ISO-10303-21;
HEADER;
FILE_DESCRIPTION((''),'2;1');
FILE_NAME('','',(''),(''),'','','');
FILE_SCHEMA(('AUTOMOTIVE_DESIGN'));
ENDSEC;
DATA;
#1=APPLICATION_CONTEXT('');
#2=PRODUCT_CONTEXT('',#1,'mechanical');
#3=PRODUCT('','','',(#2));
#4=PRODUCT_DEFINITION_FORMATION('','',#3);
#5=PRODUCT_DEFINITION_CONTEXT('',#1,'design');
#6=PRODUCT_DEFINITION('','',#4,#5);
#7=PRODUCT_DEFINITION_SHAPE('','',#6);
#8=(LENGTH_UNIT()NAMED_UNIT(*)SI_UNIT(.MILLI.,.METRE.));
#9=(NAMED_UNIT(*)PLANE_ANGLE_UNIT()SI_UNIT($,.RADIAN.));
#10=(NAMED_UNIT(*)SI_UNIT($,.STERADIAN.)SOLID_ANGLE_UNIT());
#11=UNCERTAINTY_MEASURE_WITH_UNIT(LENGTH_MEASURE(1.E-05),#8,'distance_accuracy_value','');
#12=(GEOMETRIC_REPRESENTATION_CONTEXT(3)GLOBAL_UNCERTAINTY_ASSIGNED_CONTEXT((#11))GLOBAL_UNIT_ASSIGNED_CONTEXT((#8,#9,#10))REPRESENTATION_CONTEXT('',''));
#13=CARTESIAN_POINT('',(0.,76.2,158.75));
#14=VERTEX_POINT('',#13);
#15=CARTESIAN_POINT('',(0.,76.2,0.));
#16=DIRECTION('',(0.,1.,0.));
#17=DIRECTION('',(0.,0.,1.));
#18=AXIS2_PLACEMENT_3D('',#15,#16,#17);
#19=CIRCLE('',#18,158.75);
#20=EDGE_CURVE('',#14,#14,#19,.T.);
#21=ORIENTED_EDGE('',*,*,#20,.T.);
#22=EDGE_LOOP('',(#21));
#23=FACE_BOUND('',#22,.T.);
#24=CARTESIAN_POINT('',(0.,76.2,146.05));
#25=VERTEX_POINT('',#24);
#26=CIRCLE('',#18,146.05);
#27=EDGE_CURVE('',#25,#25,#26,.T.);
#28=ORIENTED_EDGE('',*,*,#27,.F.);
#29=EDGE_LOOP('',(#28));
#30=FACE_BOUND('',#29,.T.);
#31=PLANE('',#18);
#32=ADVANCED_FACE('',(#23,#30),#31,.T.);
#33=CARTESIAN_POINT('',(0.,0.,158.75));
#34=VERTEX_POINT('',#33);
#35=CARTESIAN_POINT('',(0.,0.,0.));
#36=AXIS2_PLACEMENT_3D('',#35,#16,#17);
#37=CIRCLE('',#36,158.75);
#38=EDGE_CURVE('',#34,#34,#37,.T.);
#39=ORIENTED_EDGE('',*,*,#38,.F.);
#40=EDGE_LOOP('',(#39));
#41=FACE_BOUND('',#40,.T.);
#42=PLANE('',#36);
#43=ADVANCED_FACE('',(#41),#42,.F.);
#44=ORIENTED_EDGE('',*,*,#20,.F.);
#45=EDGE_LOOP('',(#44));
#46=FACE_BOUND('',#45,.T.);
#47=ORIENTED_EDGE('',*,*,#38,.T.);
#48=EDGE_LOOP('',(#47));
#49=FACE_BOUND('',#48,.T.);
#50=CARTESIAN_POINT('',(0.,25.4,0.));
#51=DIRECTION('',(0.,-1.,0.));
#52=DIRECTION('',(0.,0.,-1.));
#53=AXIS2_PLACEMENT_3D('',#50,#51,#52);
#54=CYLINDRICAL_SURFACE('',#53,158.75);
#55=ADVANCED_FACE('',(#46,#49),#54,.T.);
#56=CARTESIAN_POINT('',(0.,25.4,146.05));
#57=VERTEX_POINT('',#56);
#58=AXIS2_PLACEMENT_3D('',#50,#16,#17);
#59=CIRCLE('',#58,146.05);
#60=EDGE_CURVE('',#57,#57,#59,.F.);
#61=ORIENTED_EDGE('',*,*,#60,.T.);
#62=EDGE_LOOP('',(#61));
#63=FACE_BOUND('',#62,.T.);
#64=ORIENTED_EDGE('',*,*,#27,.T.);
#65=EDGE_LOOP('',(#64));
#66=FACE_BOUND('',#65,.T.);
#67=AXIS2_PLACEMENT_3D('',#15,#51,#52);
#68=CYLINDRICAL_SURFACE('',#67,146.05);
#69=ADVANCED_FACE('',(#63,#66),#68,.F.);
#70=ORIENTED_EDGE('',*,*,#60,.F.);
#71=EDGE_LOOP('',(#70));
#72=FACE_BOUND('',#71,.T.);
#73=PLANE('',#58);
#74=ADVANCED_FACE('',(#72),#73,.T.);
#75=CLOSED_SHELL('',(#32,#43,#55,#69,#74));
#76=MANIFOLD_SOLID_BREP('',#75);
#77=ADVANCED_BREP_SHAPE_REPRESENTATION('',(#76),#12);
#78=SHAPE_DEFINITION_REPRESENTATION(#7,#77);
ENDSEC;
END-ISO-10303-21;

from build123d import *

# Parameters (mm, degrees)
SKETCH1_R           = 158.75
BOSS_EXTRUDE1_DEPTH = 25.4
SKETCH2_R           = 158.75
SKETCH2_R_2         = 146.05
BOSS_EXTRUDE2_DEPTH = 50.8


with BuildPart() as part:
    # Sketch1 → Boss-Extrude1 (new body)
    with BuildSketch(Plane(origin=(0, 0, 0), x_dir=(1, 0, 0), z_dir=(0, 1, 0))):
        with Locations(Location((0, 0, 0), (0, 0, 270))):
            Circle(SKETCH1_R)
    extrude(amount=BOSS_EXTRUDE1_DEPTH)

    # Sketch2 → Boss-Extrude2 (add)
    with BuildSketch(Plane(origin=(0, 25.4, 0), x_dir=(1, 0, 0), z_dir=(0, 1, 0))):
        with Locations(Location((0, 0, 0), (0, 0, 270))):
            Circle(SKETCH2_R)
        with Locations(Location((0, 0, 0), (0, 0, 270))):
            Circle(SKETCH2_R_2, mode=Mode.SUBTRACT)
    extrude(amount=BOSS_EXTRUDE2_DEPTH)


solid = part.part
